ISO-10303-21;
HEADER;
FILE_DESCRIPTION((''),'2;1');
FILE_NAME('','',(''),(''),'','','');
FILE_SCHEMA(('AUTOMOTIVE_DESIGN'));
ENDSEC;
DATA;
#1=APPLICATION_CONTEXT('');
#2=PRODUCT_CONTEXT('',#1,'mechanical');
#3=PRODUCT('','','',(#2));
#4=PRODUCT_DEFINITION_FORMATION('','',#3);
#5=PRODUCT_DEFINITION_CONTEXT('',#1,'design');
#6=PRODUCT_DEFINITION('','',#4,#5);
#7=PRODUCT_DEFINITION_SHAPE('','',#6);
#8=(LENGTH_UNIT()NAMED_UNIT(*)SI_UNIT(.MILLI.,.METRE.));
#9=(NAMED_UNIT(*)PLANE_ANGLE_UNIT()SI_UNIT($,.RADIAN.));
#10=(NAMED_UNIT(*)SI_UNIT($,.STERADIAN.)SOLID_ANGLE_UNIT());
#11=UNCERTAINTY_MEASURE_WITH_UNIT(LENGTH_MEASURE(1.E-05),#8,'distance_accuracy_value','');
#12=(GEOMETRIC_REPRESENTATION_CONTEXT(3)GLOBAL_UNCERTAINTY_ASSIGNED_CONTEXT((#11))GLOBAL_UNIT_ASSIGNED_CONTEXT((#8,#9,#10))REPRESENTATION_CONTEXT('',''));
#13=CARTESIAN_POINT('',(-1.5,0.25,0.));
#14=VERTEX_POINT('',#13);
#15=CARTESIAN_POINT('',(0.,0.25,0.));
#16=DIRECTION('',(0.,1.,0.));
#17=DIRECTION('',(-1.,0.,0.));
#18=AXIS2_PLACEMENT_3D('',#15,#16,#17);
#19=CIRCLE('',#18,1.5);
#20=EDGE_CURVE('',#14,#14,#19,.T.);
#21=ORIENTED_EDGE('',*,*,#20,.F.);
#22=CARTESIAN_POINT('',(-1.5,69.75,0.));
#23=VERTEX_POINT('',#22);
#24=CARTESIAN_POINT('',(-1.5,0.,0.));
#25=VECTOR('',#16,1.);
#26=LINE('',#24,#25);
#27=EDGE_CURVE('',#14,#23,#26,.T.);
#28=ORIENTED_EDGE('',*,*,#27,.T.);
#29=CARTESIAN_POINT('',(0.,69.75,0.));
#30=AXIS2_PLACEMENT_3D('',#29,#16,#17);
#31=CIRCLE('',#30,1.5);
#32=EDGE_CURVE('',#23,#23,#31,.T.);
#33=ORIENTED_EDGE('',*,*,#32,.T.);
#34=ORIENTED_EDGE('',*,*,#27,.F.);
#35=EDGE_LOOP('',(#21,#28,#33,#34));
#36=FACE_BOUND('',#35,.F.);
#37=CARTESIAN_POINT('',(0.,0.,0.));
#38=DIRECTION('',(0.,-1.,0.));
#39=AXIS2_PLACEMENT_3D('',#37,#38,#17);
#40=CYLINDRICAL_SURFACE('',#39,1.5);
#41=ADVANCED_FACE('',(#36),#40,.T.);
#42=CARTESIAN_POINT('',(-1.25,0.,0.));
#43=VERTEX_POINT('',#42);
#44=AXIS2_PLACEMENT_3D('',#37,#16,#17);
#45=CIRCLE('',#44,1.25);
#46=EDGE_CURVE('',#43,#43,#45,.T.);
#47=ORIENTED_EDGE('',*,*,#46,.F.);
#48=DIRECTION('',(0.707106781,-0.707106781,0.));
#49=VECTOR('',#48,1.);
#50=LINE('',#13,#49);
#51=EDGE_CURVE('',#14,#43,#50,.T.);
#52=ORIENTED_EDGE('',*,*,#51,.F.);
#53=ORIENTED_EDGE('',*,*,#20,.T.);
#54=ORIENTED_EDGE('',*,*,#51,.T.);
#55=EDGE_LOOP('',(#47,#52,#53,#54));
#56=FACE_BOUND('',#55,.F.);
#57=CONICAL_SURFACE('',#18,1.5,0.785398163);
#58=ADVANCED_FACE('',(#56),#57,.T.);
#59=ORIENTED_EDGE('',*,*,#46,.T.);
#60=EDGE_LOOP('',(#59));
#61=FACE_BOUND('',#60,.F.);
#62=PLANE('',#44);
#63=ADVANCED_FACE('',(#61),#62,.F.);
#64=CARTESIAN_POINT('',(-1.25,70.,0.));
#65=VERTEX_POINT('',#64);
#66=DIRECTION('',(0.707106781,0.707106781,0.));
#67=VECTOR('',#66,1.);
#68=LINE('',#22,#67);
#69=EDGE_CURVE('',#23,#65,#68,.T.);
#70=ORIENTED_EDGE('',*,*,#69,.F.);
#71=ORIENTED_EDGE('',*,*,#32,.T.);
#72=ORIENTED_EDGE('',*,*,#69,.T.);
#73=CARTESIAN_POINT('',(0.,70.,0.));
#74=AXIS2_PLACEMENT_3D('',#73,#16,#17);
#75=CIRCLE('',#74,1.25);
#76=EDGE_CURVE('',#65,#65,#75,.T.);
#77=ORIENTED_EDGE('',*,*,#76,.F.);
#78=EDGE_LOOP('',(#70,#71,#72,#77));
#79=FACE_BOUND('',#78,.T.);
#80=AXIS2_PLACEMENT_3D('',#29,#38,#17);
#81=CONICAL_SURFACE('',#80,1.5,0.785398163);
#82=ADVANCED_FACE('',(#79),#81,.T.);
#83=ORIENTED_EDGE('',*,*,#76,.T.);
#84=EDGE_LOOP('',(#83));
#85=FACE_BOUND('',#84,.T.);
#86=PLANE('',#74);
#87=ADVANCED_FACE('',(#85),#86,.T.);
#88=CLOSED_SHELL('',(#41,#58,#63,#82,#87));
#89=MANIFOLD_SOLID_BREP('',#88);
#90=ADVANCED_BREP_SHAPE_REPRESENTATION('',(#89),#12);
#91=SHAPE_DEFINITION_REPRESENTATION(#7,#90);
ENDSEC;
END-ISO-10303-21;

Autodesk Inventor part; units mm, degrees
ref_plane "YZ Plane" through (0, 0, 0) normal (1, 0, 0) x (0, 1, 0)
ref_plane "XZ Plane" through (0, 0, 0) normal (0, 1, 0) x (-1, 0, 0)
ref_plane "XY Plane" through (0, 0, 0) normal (0, 0, 1) x (1, 0, 0)
sketch "Sketch1" plane through (0, 0, 0) normal (0, 1, 0) x (-1, 0, 0)
  circle A0 centre (0, 0) radius 1.5
  dimension "d0" = 3
extrude "Extrusion1" add sketch "Sketch1" along normal blind 70
thread "Thread1" size "M3x0.5" class "6g" standard "ANSI Metric M Profile" full length
chamfer "Chamfer1" distance 0.25 angle 45 2 edges at (1.5, 70, 0) (1.5, 0, 0)
properties part number "M3_threaded_rod_80" material "Steel"
